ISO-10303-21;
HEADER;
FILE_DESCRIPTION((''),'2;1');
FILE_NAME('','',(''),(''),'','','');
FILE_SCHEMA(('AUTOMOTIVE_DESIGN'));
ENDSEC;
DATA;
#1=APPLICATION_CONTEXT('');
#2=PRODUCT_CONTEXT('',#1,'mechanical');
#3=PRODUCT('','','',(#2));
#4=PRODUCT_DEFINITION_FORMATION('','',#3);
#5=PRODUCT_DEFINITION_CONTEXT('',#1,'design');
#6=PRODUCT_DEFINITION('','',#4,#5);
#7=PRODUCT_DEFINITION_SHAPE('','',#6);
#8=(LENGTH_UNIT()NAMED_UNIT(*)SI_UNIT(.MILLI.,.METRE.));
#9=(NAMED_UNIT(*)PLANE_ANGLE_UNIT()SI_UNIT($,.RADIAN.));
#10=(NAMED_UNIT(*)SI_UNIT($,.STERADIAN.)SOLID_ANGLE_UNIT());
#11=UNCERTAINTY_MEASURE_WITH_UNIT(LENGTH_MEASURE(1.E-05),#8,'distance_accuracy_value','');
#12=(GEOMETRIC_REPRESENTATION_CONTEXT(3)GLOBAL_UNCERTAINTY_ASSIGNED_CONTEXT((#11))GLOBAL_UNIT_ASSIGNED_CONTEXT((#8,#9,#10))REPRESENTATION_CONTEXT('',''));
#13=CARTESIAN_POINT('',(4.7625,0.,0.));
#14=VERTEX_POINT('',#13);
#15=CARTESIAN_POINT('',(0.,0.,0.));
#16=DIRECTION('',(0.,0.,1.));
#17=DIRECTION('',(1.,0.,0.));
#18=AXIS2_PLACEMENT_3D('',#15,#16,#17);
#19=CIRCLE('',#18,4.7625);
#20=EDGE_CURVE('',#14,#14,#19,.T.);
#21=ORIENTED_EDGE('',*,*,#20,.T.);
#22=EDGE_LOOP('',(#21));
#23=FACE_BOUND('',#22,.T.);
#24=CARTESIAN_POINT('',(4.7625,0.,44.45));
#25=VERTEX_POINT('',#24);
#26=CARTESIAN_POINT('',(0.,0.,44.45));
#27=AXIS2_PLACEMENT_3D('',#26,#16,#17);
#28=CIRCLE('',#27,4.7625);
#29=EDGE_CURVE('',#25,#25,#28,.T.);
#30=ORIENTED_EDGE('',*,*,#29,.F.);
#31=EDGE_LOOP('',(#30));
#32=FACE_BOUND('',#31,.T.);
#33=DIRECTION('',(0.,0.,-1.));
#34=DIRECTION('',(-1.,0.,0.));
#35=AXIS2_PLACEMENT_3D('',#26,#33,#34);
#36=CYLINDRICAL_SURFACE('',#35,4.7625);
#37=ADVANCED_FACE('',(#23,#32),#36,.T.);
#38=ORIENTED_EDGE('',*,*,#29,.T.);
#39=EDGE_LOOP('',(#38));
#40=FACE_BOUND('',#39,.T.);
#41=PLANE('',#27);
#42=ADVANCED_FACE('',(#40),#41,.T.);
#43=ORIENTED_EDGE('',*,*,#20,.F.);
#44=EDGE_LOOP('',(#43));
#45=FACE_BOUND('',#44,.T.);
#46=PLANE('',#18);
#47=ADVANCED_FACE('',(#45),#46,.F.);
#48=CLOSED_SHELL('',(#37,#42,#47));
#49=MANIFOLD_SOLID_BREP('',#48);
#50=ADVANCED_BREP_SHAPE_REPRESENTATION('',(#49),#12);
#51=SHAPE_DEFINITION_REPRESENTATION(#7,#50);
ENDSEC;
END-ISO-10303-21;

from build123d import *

# Parameters (mm, degrees)
SKETCH1_R           = 4.7625
BOSS_EXTRUDE1_DEPTH = 44.45


with BuildPart() as part:
    # Sketch1 → Boss-Extrude1 (new body)
    with BuildSketch(Plane.XY):
        Circle(SKETCH1_R)
    extrude(amount=BOSS_EXTRUDE1_DEPTH)


solid = part.part
